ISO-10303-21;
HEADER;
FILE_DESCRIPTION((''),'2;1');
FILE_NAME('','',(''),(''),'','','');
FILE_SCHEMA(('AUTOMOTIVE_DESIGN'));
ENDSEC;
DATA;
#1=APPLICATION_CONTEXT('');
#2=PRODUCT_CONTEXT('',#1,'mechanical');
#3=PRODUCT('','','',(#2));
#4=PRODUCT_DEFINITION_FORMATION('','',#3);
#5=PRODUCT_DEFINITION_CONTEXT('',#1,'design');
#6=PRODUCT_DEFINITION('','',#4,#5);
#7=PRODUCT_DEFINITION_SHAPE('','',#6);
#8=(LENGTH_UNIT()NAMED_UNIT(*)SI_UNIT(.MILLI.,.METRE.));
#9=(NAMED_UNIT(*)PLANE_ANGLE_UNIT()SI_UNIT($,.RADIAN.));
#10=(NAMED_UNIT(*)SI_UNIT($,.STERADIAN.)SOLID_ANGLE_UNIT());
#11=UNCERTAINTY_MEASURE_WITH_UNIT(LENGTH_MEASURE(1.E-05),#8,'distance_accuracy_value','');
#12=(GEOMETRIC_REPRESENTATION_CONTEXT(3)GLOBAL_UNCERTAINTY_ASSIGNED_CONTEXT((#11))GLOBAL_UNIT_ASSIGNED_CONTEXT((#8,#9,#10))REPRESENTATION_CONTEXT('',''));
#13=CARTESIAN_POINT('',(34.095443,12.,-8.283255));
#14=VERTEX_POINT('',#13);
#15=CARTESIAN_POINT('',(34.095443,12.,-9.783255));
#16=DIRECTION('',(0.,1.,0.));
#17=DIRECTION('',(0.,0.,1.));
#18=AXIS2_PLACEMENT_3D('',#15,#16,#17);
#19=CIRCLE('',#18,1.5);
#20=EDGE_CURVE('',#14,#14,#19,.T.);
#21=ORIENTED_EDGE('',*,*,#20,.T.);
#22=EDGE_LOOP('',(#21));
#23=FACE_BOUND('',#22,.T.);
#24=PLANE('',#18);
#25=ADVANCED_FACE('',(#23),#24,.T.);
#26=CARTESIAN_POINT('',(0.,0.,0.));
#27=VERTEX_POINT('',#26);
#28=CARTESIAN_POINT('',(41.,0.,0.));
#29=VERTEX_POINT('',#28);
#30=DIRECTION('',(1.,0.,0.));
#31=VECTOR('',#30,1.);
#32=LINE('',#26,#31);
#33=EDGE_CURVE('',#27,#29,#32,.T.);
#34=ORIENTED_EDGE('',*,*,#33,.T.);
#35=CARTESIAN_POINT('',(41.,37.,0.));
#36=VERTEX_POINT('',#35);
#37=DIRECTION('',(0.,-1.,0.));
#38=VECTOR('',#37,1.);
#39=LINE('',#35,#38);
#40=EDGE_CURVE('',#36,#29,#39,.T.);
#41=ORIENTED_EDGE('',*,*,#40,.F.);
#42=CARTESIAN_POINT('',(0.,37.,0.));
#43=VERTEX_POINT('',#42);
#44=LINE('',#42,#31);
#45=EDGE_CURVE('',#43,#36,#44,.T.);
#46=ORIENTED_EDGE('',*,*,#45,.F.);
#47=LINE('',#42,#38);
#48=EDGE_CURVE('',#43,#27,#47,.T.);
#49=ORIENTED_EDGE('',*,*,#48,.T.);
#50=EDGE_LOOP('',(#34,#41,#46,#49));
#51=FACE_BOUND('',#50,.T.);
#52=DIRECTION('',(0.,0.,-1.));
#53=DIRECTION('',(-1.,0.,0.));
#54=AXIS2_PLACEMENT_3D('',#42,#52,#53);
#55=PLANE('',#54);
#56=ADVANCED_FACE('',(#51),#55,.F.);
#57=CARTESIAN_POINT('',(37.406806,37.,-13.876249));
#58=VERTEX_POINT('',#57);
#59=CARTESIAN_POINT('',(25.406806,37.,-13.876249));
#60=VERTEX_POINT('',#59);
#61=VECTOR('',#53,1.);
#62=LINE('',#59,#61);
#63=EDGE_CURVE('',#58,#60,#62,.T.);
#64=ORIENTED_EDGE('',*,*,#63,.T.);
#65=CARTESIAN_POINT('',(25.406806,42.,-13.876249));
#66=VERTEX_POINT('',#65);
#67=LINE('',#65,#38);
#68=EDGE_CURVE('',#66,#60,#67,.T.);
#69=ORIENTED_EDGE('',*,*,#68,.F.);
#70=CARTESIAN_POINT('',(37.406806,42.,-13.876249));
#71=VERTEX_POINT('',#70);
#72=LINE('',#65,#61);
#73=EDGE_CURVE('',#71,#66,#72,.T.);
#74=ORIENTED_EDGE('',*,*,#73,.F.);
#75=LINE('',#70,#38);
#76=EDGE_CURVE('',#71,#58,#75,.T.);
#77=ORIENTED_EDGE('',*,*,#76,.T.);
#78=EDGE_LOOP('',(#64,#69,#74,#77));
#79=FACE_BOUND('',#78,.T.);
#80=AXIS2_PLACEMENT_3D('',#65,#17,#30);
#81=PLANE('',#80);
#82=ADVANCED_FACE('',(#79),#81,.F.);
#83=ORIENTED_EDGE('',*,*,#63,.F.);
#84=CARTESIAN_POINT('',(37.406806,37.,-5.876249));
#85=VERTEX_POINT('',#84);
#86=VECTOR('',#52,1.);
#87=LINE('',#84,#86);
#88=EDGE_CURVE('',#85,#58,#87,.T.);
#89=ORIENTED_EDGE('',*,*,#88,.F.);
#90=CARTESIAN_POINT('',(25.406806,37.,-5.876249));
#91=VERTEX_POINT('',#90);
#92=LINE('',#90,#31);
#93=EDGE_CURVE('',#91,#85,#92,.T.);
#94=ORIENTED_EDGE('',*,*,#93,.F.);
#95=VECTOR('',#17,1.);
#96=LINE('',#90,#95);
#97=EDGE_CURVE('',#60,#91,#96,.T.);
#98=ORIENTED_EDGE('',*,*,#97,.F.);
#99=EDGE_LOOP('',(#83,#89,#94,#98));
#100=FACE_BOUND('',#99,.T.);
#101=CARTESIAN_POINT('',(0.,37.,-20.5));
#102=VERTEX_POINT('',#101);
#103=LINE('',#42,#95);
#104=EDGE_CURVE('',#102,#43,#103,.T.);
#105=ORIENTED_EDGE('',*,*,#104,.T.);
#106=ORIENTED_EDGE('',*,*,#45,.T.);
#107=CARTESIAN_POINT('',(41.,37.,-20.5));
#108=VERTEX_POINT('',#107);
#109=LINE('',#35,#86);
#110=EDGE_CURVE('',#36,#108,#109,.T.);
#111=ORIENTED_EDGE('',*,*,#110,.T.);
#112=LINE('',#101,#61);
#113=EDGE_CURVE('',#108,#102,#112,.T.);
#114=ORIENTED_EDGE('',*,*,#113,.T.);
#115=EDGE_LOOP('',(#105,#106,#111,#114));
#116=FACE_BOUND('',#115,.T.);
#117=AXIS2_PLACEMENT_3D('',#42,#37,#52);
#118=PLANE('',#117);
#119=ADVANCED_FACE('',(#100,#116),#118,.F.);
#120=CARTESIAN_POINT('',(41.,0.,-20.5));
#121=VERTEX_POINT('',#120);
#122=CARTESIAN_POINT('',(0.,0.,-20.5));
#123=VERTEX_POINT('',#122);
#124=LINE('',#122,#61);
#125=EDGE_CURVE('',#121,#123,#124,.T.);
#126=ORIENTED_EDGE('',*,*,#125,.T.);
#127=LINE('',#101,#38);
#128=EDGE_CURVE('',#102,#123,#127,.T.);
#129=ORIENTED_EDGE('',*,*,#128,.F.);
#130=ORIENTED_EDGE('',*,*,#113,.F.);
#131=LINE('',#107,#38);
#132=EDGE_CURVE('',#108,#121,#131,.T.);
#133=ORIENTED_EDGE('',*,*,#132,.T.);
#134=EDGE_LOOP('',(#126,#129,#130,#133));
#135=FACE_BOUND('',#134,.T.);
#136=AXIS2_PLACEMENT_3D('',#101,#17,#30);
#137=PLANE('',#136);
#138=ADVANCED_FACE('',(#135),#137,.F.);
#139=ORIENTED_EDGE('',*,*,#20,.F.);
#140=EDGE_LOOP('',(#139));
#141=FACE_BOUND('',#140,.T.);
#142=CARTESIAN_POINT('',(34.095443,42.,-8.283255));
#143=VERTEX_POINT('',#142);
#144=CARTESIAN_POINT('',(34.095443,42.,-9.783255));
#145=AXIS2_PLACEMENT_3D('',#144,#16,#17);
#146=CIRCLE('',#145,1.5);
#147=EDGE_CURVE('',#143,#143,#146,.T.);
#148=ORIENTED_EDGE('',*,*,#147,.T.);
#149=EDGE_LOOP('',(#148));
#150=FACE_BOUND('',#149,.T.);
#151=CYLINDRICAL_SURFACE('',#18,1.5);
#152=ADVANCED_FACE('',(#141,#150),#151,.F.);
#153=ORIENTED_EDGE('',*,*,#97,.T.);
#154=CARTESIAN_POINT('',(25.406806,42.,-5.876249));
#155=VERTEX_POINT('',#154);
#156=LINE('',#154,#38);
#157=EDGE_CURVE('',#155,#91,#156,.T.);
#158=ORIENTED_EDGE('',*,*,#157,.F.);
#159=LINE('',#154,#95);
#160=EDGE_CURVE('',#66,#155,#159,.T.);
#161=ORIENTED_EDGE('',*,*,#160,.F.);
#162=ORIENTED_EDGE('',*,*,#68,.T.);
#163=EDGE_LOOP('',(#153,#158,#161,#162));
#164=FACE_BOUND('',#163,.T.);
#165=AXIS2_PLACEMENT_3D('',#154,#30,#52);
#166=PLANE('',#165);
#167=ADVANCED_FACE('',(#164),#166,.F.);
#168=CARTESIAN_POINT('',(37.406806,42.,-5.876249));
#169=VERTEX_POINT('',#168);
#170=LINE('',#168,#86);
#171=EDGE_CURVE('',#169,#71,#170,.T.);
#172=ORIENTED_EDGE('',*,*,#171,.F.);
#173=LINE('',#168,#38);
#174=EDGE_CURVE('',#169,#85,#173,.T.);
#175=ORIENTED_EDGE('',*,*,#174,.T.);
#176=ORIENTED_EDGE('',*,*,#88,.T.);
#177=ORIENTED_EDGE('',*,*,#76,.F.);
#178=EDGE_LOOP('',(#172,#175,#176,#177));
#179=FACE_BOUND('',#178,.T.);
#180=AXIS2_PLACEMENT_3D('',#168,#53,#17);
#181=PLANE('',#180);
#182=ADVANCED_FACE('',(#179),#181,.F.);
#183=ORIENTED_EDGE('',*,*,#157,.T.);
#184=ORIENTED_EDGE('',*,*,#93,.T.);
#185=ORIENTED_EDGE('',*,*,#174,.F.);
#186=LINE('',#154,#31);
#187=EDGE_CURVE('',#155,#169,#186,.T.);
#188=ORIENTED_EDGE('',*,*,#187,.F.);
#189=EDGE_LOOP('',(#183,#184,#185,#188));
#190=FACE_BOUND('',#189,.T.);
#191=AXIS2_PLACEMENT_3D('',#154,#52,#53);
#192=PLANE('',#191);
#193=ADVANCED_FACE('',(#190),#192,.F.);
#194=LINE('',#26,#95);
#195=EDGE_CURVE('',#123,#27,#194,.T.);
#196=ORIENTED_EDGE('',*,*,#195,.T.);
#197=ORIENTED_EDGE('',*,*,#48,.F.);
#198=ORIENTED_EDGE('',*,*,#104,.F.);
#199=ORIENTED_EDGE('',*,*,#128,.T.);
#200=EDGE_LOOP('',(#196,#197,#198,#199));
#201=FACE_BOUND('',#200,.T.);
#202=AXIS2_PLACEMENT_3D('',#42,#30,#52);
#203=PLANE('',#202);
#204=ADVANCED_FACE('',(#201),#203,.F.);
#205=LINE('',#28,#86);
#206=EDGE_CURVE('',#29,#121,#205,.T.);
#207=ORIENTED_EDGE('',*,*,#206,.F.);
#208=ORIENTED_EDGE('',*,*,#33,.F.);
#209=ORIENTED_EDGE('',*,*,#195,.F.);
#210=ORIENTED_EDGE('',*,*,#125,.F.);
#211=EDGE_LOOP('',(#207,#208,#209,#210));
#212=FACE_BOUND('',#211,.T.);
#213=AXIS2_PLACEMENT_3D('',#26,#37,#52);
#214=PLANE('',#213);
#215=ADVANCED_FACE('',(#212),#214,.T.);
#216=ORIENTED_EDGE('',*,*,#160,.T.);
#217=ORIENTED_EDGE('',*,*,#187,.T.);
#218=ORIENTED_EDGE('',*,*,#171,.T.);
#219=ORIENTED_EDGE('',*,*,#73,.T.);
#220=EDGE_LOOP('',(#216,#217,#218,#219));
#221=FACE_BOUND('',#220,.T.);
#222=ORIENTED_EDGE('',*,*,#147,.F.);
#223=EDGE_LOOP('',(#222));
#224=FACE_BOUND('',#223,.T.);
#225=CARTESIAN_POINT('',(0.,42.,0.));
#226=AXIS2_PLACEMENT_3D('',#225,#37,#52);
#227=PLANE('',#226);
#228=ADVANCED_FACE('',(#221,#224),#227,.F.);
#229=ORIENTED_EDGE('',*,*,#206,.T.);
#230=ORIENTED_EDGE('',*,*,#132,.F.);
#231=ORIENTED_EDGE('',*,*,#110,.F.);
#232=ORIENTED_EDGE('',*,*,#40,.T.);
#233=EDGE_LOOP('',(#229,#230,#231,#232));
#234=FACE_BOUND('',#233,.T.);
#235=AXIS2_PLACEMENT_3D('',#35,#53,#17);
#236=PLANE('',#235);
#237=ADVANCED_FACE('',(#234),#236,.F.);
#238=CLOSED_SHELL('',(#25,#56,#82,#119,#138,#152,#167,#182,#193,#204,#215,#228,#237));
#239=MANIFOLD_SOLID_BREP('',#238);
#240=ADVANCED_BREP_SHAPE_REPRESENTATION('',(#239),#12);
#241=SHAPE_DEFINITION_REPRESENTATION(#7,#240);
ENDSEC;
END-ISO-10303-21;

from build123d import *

# Parameters (mm, degrees)
SKETCH3_W           = 41
SKETCH3_H           = 20.5
BOSS_EXTRUDE1_DEPTH = 37
SKETCH5_W           = 12
SKETCH5_H           = 8
BOSS_EXTRUDE2_DEPTH = 5
SKETCH6_R           = 1.5
CUT_EXTRUDE1_DEPTH  = 30


with BuildPart() as part:
    # Sketch3 → Boss-Extrude1 (new body)
    with BuildSketch(Plane(origin=(0, 0, 0), x_dir=(1, 0, 0), z_dir=(0, 1, 0))):
        with Locations((20.5, 10.25)):
            Rectangle(SKETCH3_W, SKETCH3_H)
    extrude(amount=BOSS_EXTRUDE1_DEPTH)

    # Sketch5 → Boss-Extrude2 (add)
    with BuildSketch(Plane(origin=(0, 37, 0), x_dir=(1, 0, 0), z_dir=(0, 1, 0))):
        with Locations((31.406806077, 9.876249369)):
            Rectangle(SKETCH5_W, SKETCH5_H)
    extrude(amount=BOSS_EXTRUDE2_DEPTH)

    # Sketch6 → Cut-Extrude1 (cut)
    with BuildSketch(Plane(origin=(0, 42, 0), x_dir=(1, 0, 0), z_dir=(0, 1, 0))):
        with Locations((34.09544318, 9.783255032)):
            Circle(SKETCH6_R)
    extrude(amount=-CUT_EXTRUDE1_DEPTH, mode=Mode.SUBTRACT)


solid = part.part
